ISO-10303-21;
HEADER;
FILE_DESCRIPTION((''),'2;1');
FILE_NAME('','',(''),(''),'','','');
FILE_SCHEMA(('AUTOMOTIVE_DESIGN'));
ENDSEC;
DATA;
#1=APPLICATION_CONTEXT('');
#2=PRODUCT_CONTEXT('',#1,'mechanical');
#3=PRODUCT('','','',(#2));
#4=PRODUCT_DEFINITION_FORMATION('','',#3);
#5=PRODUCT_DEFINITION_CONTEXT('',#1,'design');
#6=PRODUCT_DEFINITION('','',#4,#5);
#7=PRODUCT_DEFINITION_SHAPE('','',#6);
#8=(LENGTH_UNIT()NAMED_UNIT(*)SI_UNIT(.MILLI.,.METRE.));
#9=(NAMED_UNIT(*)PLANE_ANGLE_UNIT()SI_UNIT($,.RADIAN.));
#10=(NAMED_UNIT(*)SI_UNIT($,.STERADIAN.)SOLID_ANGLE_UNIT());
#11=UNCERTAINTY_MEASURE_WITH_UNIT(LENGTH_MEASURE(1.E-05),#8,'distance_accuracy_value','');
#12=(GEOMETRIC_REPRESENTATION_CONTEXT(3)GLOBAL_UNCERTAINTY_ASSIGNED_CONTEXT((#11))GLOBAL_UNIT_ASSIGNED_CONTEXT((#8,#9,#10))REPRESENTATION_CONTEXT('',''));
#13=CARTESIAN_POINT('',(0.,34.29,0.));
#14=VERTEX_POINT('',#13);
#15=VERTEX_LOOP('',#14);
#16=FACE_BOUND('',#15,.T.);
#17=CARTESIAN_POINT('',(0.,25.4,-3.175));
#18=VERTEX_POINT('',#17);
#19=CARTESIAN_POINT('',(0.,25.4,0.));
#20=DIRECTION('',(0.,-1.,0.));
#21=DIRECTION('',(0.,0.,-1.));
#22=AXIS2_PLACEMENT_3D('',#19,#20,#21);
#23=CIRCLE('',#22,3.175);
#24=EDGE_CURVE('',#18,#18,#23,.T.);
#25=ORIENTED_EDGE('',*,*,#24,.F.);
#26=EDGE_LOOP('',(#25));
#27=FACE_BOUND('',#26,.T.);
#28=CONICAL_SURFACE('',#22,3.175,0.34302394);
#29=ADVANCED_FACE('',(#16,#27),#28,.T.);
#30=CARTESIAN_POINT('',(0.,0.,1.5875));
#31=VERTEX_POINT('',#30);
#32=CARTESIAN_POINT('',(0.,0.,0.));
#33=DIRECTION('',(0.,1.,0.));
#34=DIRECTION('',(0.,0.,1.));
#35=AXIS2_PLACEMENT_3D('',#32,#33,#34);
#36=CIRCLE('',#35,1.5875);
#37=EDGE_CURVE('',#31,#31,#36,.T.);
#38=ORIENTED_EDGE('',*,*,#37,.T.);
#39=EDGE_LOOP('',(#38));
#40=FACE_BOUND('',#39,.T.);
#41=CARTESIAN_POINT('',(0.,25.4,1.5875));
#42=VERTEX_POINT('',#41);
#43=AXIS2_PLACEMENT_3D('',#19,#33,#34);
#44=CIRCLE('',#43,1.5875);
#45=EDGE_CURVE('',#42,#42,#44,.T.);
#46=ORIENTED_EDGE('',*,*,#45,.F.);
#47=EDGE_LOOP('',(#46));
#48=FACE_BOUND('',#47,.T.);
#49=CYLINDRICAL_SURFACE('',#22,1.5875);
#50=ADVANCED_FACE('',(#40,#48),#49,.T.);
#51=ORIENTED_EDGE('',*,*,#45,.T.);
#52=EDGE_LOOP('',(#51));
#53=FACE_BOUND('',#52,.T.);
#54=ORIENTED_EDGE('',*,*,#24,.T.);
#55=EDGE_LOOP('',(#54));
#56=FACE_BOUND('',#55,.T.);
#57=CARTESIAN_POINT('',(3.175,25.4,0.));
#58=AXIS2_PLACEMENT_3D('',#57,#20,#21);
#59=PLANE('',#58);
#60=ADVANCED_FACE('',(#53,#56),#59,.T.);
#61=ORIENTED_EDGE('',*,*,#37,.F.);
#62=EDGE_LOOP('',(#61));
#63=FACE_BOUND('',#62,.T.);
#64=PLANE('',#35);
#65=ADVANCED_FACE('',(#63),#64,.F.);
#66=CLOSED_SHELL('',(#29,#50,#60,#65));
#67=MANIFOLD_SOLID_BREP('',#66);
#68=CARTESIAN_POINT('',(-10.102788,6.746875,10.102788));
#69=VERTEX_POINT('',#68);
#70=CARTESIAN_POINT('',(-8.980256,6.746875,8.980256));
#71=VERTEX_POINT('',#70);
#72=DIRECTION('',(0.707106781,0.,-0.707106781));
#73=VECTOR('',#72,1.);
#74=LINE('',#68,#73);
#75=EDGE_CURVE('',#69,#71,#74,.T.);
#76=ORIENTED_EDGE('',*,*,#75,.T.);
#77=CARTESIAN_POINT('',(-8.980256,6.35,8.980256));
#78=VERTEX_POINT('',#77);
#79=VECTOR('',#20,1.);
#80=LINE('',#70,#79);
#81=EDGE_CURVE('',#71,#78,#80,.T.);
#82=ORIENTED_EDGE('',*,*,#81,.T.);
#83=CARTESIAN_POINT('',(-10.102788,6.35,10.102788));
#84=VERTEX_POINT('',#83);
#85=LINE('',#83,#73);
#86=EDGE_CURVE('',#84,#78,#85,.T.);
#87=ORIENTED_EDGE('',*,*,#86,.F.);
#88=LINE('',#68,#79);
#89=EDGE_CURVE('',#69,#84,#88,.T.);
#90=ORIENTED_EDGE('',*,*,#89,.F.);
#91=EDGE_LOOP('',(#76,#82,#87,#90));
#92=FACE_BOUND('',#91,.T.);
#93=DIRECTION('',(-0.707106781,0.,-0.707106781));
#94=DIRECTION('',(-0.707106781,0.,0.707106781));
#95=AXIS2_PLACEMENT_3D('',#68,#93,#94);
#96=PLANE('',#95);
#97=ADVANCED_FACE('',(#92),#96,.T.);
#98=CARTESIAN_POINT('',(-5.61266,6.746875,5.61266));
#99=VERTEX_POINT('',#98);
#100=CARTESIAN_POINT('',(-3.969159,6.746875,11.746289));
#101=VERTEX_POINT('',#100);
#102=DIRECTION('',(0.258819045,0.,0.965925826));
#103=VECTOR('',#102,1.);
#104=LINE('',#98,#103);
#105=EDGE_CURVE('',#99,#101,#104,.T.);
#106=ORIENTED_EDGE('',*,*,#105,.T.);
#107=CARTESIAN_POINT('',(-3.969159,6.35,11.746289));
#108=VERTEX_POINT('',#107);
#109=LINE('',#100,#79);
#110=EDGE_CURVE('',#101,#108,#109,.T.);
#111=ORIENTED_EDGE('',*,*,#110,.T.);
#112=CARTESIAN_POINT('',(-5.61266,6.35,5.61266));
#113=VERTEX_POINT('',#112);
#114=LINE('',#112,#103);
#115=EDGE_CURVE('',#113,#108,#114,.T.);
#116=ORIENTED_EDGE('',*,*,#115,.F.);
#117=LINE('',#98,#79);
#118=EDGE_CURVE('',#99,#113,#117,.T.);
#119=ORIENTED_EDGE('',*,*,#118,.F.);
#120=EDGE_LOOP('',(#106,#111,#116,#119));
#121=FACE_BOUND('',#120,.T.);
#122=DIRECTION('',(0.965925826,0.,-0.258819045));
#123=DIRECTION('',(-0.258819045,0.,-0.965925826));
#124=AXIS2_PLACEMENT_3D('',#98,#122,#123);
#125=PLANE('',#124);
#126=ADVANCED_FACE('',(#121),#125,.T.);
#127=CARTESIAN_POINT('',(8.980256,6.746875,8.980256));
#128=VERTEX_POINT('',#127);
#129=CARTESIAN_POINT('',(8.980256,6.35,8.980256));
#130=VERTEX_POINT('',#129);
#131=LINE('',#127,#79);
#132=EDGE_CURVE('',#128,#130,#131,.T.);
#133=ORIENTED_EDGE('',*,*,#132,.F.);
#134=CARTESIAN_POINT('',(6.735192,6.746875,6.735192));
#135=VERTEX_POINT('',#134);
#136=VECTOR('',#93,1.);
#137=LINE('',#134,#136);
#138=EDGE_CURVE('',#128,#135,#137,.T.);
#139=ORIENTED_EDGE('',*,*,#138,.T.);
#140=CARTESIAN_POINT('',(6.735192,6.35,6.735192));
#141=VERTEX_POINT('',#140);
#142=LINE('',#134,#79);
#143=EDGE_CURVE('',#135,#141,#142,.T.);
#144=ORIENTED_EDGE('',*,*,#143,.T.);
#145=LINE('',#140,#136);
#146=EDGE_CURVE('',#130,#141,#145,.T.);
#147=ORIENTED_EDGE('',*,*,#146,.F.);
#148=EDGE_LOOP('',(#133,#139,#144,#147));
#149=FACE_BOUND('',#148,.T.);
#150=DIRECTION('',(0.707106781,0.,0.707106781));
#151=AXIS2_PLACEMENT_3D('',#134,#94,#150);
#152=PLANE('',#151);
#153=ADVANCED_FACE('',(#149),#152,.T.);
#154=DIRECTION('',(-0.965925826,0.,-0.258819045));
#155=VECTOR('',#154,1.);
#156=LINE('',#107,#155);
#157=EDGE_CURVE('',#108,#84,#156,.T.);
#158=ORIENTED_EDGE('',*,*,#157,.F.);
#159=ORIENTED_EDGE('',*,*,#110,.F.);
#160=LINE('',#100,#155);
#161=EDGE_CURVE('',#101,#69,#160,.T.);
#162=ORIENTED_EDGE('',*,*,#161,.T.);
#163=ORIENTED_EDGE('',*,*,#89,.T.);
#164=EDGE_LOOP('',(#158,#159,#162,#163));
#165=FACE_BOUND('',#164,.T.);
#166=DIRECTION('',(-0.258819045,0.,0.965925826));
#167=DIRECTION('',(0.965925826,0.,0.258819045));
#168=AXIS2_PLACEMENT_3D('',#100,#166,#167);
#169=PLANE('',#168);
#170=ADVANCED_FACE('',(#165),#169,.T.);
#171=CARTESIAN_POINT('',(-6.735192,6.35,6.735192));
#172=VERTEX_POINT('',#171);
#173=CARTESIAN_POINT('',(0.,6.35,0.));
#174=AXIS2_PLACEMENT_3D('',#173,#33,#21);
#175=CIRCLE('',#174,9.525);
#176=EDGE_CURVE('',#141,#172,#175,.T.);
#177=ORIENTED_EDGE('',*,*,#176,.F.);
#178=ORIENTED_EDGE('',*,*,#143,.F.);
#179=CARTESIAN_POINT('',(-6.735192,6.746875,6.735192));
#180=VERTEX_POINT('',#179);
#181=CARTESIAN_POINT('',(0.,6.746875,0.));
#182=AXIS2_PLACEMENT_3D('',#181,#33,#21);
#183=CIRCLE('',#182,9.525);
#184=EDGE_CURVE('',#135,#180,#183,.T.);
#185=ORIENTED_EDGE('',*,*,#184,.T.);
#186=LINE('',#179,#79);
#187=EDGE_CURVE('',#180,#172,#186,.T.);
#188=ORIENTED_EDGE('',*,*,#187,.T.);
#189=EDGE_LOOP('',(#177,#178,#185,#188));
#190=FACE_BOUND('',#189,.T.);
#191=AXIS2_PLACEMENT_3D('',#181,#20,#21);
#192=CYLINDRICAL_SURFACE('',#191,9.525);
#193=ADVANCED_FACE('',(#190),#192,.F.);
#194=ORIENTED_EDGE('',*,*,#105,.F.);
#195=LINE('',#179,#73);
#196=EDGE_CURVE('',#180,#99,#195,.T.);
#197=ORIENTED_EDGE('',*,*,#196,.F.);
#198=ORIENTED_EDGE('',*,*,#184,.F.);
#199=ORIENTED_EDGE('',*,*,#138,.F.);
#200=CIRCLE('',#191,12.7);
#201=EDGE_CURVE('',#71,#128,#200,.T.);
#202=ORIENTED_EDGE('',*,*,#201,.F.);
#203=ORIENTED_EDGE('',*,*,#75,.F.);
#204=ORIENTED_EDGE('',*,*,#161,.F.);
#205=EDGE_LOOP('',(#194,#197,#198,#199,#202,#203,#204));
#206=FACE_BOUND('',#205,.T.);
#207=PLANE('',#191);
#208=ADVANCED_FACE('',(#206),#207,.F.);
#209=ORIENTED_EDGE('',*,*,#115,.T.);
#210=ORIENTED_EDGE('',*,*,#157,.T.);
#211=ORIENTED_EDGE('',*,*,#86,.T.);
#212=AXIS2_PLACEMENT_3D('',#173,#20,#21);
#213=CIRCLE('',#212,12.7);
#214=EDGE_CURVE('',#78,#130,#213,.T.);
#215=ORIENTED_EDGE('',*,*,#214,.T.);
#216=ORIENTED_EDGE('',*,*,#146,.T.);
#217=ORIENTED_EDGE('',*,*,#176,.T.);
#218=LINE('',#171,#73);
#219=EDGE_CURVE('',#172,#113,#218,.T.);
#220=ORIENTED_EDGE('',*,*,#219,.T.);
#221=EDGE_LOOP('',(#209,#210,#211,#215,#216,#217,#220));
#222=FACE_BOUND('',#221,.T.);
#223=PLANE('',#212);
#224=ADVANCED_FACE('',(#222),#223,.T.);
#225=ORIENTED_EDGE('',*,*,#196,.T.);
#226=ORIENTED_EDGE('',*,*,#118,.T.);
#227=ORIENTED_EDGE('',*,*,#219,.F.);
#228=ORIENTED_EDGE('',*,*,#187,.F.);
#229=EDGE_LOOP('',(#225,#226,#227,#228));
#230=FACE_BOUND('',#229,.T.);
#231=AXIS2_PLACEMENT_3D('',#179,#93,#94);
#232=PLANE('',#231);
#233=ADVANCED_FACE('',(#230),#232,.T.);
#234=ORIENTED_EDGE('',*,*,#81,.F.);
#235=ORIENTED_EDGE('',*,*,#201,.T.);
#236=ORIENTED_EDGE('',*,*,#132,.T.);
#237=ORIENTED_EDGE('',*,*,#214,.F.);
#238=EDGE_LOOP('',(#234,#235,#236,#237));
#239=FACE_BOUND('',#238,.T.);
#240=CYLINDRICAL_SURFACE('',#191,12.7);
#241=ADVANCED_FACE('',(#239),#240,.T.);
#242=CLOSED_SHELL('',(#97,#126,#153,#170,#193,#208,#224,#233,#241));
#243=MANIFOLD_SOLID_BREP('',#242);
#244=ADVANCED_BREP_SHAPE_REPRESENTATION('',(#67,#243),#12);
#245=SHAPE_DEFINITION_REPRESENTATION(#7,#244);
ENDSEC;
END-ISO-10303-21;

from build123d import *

# Parameters (mm, degrees)
SKETCH1_R           = 1.5875
BOSS_EXTRUDE1_DEPTH = 25.4
BOSS_EXTRUDE2_START = -6.35
BOSS_EXTRUDE2_DEPTH = 0.396875


with BuildPart() as part:
    # Sketch1 → Boss-Extrude1 (new body)
    with BuildSketch(Plane(origin=(0, 0, 0), x_dir=(1, 0, 0), z_dir=(0, 1, 0))):
        Circle(SKETCH1_R)
    extrude(amount=BOSS_EXTRUDE1_DEPTH)

    # Sketch3 → Revolve1 (revolve)
    with BuildSketch(Plane.XY):
        Polygon((0, 25.4), (0, 34.29), (3.175, 25.4), (1.5875, 25.4), align=None)
    revolve(axis=Axis((0, 25.4, 0), (0, 1, 0)))


with BuildPart() as body_2:
    # Sketch4 → Boss-Extrude2 (new body)
    with BuildSketch(Plane.XZ.offset(BOSS_EXTRUDE2_START)):
        with BuildLine():
            Line((-6.735192091, 6.735192091), (-5.612660076, 5.612660076))
            Line((-5.612660076, 5.612660076), (-3.969159139, 11.746289073))
            Line((-3.969159139, 11.746289073), (-10.102788136, 10.102788136))
            Line((-10.102788136, 10.102788136), (-8.980256121, 8.980256121))
            ThreePointArc((-8.980256121, 8.980256121), (0, -12.7), (8.980256121, 8.980256121))
            Line((8.980256121, 8.980256121), (6.735192091, 6.735192091))
            ThreePointArc((6.735192091, 6.735192091), (0, -9.525), (-6.735192091, 6.735192091))
        make_face()
    extrude(amount=-BOSS_EXTRUDE2_DEPTH)


solid = Compound([part.part, body_2.part])
